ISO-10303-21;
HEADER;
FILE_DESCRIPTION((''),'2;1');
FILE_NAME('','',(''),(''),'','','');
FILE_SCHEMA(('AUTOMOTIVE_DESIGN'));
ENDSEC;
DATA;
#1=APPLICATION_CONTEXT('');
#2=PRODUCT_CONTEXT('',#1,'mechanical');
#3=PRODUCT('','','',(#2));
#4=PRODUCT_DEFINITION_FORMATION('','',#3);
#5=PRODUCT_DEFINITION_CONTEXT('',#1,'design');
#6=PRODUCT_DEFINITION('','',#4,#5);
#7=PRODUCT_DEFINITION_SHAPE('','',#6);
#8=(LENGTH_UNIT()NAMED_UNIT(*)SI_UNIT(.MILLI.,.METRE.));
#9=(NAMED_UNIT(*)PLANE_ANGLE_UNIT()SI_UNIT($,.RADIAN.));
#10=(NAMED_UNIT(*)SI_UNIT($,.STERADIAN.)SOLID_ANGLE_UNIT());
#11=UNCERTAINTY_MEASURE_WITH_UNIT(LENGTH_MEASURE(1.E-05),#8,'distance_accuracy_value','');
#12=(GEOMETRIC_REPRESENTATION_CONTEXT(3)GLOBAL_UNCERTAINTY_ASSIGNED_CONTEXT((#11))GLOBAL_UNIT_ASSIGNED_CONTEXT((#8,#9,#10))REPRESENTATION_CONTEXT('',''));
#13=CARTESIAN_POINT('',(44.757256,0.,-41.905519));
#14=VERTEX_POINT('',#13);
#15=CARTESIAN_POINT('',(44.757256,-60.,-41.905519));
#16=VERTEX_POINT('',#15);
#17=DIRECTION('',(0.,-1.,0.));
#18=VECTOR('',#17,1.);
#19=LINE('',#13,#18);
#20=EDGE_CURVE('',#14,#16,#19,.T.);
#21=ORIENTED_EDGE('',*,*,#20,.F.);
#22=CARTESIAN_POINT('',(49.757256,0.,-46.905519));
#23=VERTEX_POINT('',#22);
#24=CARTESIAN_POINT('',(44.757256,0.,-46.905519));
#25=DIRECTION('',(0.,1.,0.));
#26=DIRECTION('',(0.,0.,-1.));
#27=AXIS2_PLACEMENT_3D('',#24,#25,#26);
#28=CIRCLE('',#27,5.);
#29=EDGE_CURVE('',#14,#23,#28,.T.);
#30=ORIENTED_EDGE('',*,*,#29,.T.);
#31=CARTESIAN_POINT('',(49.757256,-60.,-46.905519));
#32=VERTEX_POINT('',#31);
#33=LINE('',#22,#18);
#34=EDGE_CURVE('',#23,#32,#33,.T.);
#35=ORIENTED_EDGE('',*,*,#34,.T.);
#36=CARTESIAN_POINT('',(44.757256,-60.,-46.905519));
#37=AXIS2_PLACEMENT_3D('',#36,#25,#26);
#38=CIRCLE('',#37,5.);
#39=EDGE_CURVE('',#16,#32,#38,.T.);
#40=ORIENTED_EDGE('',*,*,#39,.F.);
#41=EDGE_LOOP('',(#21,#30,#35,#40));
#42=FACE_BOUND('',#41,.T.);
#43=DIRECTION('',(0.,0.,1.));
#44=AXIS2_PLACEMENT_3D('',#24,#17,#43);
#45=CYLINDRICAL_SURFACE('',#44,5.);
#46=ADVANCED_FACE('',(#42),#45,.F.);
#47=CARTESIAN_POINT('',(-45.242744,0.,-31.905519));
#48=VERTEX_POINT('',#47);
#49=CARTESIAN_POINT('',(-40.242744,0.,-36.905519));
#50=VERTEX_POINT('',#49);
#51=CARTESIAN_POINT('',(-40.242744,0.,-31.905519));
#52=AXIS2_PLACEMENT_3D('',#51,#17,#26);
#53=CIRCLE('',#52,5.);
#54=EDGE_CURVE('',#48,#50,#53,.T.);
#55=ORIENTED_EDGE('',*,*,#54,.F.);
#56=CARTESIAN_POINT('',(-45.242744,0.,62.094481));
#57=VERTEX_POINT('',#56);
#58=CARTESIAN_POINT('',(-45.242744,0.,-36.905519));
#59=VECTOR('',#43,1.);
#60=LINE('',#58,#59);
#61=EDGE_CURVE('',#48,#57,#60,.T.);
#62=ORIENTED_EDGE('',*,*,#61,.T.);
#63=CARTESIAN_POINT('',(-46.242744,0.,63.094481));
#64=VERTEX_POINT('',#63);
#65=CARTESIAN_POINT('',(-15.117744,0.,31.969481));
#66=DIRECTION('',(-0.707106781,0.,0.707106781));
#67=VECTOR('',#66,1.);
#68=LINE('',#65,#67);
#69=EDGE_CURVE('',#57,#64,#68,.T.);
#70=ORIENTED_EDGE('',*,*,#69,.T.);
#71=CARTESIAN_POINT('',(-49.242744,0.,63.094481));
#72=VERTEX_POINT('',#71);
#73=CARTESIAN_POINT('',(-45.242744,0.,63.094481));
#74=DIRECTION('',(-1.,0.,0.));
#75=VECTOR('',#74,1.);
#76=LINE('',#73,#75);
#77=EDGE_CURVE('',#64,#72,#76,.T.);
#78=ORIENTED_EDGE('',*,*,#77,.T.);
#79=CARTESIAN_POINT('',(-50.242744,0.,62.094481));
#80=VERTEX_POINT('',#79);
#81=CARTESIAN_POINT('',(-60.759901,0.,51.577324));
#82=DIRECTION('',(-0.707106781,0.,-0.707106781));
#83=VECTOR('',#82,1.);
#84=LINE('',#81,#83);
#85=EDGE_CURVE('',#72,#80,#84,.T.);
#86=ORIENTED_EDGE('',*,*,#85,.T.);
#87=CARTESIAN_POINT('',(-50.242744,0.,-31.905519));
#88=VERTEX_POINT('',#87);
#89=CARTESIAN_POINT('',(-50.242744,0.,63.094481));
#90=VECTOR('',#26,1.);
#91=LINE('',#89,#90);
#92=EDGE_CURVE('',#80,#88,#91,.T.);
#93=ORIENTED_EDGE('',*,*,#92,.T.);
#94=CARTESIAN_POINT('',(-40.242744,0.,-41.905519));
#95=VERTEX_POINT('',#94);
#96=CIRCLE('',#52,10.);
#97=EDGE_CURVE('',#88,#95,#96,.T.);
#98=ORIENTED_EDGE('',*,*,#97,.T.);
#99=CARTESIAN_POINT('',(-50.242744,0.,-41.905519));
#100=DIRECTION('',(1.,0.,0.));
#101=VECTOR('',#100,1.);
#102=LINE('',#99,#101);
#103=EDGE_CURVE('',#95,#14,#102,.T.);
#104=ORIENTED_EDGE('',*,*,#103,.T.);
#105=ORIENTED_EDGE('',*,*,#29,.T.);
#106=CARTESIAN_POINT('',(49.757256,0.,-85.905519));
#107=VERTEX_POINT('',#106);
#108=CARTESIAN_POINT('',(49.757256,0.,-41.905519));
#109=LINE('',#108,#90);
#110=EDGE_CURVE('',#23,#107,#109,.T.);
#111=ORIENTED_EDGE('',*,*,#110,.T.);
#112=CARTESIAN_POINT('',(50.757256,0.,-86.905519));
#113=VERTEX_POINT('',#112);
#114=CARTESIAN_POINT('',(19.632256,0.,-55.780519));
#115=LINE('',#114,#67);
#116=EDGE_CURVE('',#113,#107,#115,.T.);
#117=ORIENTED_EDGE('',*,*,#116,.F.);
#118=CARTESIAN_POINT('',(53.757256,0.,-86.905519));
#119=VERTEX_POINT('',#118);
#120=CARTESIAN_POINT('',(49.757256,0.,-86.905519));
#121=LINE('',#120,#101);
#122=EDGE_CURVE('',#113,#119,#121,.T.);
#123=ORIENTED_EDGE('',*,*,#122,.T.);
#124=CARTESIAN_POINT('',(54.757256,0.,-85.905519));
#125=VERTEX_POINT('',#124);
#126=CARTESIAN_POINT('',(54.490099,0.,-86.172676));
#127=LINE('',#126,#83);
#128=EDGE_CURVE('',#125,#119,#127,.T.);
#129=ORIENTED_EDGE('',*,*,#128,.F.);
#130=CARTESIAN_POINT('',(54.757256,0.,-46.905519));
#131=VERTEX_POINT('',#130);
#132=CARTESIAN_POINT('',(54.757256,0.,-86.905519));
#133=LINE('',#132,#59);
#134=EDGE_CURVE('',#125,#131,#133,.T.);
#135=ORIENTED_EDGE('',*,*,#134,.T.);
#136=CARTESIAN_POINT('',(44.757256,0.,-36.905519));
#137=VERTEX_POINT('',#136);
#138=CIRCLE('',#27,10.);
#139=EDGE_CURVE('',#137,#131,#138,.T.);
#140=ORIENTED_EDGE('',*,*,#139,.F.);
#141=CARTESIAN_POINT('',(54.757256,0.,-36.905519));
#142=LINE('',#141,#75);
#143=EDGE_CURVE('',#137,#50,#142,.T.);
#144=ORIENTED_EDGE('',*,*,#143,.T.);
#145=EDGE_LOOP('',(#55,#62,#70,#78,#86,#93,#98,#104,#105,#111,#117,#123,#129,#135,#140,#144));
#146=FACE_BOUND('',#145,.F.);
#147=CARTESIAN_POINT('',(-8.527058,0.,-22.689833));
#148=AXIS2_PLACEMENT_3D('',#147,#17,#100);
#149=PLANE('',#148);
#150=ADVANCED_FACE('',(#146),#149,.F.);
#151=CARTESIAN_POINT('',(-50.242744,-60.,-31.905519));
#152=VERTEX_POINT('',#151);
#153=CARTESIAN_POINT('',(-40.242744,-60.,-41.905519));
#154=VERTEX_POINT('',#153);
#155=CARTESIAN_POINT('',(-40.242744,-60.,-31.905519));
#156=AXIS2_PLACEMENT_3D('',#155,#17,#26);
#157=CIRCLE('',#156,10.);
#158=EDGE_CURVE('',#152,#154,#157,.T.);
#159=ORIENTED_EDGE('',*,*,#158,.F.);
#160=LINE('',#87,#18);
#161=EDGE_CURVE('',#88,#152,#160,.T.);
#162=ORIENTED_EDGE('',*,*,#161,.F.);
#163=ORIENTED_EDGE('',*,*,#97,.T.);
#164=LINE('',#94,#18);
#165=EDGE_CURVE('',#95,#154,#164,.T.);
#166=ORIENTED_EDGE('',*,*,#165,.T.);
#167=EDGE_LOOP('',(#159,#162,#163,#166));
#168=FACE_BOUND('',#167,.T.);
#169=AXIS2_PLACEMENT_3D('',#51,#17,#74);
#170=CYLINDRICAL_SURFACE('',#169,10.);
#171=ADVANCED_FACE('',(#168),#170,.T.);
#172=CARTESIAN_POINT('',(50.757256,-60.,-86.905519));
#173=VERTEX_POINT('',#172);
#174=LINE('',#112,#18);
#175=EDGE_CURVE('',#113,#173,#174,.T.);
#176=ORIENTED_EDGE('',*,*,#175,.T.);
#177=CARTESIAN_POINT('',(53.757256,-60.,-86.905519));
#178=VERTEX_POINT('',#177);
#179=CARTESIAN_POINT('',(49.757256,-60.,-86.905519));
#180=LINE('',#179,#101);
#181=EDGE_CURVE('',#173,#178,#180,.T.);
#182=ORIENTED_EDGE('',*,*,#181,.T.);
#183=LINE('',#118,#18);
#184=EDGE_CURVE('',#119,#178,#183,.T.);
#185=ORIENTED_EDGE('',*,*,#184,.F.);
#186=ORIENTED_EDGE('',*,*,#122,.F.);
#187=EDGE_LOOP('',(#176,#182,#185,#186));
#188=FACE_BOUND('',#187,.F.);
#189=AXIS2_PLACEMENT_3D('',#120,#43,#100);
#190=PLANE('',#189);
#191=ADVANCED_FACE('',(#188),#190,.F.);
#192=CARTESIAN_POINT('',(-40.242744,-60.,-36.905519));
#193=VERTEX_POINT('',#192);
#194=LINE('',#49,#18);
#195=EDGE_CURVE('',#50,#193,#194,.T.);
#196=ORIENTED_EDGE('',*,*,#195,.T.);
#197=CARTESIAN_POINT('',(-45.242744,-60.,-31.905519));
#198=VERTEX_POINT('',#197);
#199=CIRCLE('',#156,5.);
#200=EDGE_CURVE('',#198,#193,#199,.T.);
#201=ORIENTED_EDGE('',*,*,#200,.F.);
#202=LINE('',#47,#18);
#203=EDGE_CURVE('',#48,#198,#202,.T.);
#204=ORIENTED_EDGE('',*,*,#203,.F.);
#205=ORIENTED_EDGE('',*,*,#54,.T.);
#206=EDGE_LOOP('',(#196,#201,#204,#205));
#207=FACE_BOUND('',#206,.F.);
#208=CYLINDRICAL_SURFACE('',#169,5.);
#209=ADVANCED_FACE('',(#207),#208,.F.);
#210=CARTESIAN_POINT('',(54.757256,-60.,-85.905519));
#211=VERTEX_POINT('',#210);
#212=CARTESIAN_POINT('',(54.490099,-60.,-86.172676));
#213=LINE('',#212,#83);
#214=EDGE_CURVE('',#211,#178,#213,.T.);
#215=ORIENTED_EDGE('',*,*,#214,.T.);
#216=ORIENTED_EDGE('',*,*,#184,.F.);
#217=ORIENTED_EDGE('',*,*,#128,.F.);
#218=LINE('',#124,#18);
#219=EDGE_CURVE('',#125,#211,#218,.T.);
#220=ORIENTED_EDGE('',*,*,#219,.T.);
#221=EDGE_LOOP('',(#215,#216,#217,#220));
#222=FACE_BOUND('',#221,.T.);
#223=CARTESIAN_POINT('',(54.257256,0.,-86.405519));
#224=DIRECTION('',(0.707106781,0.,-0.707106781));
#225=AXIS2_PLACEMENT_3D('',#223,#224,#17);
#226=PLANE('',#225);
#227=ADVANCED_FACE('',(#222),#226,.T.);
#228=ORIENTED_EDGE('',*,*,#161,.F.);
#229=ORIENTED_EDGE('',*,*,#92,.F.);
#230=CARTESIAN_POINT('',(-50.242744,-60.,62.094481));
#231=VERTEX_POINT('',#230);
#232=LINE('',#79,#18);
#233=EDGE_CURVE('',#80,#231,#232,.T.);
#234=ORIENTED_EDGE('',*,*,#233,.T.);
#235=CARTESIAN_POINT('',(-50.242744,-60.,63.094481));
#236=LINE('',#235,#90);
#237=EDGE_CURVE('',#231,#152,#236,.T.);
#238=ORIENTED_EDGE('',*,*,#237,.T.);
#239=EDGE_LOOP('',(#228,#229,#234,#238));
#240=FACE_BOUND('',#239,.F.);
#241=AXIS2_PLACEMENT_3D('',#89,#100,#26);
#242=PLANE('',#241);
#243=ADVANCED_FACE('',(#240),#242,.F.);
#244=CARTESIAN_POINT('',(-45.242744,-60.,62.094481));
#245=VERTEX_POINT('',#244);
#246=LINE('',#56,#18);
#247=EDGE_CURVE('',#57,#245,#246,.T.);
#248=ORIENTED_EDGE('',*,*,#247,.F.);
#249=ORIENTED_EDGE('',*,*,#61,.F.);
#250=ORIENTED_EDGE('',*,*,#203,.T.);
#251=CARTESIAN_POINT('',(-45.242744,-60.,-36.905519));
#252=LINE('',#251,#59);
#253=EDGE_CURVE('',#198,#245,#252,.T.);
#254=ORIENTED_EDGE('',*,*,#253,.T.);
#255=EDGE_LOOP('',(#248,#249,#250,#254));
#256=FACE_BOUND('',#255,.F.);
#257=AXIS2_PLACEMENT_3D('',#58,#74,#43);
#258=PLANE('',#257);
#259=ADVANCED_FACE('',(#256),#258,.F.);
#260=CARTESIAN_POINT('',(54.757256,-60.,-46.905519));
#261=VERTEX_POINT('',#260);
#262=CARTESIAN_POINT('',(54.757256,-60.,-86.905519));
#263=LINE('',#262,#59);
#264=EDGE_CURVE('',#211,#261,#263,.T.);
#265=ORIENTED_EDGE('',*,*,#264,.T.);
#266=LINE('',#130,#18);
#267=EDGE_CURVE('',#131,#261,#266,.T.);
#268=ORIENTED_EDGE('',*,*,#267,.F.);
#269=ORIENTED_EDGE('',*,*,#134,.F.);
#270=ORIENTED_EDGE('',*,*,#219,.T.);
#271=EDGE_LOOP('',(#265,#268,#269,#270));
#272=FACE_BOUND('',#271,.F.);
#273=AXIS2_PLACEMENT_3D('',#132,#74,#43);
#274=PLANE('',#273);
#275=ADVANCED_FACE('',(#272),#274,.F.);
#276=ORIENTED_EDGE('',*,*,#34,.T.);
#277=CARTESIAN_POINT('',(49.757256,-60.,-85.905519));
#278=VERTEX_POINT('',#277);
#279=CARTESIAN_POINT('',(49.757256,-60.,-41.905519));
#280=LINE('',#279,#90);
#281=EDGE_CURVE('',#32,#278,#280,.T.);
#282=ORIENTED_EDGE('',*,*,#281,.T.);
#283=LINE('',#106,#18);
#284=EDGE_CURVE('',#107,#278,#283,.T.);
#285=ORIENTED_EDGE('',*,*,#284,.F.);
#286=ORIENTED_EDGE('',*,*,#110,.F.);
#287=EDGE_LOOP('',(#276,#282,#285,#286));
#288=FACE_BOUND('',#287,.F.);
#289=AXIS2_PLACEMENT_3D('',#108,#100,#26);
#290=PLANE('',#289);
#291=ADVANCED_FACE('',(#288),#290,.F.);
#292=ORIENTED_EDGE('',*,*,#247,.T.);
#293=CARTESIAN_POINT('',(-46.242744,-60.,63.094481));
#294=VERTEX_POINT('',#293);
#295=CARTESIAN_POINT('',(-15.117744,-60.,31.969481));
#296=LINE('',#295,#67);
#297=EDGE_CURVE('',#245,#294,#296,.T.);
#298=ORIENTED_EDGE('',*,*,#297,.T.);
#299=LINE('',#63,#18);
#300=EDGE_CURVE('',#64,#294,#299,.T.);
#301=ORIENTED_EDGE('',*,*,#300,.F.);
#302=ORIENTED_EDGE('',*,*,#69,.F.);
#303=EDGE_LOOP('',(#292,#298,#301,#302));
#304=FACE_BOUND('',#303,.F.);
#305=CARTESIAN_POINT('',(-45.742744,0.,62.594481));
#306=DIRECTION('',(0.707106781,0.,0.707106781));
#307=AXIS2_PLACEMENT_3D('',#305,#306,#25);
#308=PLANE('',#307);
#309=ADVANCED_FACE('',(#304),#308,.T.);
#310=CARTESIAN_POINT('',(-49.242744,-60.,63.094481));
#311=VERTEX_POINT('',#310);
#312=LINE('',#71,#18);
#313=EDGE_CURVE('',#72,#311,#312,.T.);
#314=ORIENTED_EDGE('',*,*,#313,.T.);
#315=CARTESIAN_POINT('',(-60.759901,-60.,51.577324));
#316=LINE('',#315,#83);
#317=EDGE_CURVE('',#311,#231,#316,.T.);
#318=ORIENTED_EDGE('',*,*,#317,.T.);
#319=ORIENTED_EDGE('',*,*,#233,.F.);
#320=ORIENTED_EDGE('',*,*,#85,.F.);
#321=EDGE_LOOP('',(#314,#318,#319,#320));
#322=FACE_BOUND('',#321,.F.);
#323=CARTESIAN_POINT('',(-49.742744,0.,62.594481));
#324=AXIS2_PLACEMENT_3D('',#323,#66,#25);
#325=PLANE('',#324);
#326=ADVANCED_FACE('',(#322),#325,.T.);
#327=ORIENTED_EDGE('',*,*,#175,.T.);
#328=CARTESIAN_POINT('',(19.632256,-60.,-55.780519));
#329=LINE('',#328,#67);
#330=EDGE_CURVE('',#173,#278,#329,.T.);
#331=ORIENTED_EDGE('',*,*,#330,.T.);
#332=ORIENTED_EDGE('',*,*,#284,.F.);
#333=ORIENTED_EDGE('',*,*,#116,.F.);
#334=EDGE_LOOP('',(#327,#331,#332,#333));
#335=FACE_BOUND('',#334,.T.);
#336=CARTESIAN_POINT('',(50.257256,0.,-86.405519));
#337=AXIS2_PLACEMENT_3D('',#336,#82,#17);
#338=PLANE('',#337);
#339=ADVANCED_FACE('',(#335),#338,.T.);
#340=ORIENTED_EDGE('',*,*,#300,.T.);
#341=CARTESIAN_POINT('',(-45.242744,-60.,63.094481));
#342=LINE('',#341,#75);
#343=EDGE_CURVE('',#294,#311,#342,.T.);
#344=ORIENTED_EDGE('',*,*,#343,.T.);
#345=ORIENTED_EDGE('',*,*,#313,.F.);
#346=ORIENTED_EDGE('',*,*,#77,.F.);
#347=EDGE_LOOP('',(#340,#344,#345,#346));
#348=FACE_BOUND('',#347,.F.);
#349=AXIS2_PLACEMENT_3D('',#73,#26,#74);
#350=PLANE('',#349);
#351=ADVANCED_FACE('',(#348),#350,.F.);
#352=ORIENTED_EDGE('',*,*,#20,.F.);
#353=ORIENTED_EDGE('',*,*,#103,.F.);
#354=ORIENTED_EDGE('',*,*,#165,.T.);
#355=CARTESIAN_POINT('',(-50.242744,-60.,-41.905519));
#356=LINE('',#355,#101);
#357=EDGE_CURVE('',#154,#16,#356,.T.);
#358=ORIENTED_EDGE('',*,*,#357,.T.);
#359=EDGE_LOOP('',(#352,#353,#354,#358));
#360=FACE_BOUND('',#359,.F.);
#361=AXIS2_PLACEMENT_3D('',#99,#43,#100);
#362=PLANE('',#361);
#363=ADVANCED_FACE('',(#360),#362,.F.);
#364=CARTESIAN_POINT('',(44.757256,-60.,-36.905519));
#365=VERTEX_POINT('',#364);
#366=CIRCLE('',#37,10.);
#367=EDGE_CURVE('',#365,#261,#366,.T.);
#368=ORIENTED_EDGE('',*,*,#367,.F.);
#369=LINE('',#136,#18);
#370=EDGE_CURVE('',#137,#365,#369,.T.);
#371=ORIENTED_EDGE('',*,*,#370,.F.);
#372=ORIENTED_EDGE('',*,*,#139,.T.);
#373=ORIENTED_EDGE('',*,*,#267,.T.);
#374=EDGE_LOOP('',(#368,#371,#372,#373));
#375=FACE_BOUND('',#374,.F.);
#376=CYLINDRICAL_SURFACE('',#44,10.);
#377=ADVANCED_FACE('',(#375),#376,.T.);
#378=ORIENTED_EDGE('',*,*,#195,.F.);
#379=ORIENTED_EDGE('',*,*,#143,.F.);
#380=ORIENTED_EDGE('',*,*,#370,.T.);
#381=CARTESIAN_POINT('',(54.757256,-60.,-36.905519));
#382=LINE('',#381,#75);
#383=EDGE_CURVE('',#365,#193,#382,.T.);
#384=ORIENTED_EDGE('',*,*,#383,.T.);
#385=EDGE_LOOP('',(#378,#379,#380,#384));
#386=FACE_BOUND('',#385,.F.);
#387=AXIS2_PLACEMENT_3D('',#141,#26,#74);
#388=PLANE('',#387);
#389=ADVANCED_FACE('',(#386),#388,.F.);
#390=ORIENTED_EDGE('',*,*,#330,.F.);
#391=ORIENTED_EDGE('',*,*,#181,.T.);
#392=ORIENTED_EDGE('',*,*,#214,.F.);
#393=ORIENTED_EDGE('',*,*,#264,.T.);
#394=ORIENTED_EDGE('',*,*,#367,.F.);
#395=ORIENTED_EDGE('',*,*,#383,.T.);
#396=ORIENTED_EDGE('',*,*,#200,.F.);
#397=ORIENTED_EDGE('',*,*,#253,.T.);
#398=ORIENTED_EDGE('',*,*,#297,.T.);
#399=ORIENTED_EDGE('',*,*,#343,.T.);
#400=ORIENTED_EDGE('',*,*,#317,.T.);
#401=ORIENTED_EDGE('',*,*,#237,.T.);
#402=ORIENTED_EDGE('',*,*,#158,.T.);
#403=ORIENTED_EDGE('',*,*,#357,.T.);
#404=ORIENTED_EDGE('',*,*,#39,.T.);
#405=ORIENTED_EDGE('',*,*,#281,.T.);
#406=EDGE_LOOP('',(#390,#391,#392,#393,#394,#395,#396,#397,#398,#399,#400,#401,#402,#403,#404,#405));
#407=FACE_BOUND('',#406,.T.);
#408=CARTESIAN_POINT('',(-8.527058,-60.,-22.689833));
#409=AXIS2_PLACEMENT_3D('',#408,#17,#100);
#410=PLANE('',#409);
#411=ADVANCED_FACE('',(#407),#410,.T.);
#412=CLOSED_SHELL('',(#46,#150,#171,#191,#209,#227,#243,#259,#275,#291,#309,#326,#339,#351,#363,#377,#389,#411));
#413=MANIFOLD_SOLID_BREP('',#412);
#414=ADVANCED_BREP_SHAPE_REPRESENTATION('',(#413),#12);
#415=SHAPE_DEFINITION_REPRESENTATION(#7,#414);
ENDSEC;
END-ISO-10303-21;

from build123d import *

# Parameters (mm, degrees)
F1_DEPTH = 60
F2_R     = 5
F3_R     = 10
F4_SIZE  = 1


with BuildPart() as f1:
    # F0 (on Front) → F1 (new body)
    with BuildSketch(Plane.XZ):
        Polygon((-45.242744, -36.905519), (-45.242744, 63.094481), (-50.242744, 63.094481), (-50.242744, -41.905519), (49.757256, -41.905519), (49.757256, -86.905519), (54.757256, -86.905519), (54.757256, -36.905519), align=None)
    extrude(amount=F1_DEPTH)

    # F2
    f2_edges = [f1.edges().sort_by_distance(p)[0] for p in [
        (-45.242744, -30, -36.905519),
        (49.757256, -30, -41.905519),
    ]]
    fillet(f2_edges, radius=F2_R)

    # F3
    f3_edges = [f1.edges().sort_by_distance(p)[0] for p in [
        (54.757256, -30, -36.905519),
        (-50.242744, -30, -41.905519),
    ]]
    fillet(f3_edges, radius=F3_R)

    # F4
    f4_edges = [f1.edges().sort_by_distance(p)[0] for p in [
        (-45.242744, -30, 63.094481),
        (-50.242744, -30, 63.094481),
        (54.757256, -30, -86.905519),
        (49.757256, -30, -86.905519),
    ]]
    chamfer(f4_edges, length=F4_SIZE)


solid = f1.part
